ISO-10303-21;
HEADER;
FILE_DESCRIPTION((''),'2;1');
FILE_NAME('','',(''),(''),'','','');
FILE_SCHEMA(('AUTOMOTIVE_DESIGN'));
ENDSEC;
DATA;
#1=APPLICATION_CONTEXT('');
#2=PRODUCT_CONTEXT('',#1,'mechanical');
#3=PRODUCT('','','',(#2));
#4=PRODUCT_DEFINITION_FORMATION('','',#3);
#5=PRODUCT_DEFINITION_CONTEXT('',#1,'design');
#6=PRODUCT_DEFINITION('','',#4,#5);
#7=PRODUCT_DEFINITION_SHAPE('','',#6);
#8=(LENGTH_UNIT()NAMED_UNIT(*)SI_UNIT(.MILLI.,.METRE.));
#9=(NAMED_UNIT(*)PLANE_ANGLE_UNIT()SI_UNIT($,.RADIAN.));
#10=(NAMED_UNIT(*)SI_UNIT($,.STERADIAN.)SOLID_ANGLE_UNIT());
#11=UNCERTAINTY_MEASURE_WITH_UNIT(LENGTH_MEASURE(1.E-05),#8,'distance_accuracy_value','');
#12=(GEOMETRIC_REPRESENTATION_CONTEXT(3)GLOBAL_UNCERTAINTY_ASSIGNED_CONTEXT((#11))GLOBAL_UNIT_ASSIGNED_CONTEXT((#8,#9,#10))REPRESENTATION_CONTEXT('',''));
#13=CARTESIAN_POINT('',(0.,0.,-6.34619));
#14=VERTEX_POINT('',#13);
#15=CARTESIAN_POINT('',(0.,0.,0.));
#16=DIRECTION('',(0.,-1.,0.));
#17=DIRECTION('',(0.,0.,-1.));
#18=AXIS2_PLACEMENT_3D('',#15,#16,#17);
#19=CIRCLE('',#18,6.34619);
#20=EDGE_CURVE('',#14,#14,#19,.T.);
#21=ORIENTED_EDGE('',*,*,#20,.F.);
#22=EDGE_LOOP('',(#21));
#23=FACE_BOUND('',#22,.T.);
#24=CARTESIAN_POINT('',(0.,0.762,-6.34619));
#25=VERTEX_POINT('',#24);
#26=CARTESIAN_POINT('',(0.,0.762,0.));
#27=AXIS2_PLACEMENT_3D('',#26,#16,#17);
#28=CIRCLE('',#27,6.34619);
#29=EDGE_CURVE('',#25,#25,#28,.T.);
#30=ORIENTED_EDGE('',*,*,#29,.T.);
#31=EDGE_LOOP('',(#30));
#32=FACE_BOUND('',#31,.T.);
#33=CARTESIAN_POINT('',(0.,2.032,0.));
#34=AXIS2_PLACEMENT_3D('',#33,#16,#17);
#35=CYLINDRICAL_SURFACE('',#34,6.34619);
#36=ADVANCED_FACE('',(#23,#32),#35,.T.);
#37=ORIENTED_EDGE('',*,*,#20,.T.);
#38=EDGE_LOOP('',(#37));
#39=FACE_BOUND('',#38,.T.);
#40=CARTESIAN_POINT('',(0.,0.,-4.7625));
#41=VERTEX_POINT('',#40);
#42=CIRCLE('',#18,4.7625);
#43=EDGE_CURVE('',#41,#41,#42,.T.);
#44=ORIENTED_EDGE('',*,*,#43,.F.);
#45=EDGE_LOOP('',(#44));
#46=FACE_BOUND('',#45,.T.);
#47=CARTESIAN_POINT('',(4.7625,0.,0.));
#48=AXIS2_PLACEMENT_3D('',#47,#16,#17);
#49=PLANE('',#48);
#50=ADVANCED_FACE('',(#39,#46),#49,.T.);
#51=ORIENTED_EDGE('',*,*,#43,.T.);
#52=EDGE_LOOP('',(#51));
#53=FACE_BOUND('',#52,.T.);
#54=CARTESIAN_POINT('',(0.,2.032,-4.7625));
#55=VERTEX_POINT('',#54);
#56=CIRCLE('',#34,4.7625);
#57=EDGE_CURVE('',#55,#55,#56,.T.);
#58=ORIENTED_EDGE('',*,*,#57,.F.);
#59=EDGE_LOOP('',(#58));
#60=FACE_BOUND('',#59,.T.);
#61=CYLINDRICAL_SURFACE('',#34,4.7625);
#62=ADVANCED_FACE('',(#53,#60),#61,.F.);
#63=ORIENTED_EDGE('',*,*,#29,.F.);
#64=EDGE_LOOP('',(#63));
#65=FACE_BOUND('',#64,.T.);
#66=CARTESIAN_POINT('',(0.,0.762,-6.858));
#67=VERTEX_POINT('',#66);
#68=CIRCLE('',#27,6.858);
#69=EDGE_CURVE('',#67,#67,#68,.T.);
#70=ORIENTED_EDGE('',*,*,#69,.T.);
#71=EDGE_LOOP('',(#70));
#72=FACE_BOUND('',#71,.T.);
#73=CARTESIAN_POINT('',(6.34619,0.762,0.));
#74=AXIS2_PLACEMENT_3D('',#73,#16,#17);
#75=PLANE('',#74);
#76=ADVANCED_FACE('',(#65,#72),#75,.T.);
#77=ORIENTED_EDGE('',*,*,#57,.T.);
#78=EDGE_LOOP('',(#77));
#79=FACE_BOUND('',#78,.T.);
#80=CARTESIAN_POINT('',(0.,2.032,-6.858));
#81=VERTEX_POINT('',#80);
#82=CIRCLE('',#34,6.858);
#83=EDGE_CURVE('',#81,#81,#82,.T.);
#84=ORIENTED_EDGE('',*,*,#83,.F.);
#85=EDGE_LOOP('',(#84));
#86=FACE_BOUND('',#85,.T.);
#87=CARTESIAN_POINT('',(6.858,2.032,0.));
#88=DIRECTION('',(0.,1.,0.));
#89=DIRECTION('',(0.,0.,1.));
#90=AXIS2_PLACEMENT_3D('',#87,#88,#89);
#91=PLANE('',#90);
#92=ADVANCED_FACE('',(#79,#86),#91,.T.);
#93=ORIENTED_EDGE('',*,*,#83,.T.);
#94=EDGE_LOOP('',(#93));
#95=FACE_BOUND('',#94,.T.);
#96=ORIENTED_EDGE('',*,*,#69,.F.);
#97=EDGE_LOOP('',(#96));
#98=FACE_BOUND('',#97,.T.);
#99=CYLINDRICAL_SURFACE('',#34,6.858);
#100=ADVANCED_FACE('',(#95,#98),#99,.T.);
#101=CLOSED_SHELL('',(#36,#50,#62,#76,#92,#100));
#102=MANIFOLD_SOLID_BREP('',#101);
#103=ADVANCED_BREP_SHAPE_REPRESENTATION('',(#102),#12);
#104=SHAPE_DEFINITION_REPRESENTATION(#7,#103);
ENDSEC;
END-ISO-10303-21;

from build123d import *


with BuildPart() as part:
    # Sketch1 → Revolve1 (revolve)
    with BuildSketch(Plane.XY):
        Polygon((6.34619, 0), (6.34619, 0.762), (6.858, 0.762), (6.858, 2.032), (4.7625, 2.032), (4.7625, 0), align=None)
    revolve(axis=Axis((0, 2.032, 0), (0, -1, 0)))


solid = part.part
